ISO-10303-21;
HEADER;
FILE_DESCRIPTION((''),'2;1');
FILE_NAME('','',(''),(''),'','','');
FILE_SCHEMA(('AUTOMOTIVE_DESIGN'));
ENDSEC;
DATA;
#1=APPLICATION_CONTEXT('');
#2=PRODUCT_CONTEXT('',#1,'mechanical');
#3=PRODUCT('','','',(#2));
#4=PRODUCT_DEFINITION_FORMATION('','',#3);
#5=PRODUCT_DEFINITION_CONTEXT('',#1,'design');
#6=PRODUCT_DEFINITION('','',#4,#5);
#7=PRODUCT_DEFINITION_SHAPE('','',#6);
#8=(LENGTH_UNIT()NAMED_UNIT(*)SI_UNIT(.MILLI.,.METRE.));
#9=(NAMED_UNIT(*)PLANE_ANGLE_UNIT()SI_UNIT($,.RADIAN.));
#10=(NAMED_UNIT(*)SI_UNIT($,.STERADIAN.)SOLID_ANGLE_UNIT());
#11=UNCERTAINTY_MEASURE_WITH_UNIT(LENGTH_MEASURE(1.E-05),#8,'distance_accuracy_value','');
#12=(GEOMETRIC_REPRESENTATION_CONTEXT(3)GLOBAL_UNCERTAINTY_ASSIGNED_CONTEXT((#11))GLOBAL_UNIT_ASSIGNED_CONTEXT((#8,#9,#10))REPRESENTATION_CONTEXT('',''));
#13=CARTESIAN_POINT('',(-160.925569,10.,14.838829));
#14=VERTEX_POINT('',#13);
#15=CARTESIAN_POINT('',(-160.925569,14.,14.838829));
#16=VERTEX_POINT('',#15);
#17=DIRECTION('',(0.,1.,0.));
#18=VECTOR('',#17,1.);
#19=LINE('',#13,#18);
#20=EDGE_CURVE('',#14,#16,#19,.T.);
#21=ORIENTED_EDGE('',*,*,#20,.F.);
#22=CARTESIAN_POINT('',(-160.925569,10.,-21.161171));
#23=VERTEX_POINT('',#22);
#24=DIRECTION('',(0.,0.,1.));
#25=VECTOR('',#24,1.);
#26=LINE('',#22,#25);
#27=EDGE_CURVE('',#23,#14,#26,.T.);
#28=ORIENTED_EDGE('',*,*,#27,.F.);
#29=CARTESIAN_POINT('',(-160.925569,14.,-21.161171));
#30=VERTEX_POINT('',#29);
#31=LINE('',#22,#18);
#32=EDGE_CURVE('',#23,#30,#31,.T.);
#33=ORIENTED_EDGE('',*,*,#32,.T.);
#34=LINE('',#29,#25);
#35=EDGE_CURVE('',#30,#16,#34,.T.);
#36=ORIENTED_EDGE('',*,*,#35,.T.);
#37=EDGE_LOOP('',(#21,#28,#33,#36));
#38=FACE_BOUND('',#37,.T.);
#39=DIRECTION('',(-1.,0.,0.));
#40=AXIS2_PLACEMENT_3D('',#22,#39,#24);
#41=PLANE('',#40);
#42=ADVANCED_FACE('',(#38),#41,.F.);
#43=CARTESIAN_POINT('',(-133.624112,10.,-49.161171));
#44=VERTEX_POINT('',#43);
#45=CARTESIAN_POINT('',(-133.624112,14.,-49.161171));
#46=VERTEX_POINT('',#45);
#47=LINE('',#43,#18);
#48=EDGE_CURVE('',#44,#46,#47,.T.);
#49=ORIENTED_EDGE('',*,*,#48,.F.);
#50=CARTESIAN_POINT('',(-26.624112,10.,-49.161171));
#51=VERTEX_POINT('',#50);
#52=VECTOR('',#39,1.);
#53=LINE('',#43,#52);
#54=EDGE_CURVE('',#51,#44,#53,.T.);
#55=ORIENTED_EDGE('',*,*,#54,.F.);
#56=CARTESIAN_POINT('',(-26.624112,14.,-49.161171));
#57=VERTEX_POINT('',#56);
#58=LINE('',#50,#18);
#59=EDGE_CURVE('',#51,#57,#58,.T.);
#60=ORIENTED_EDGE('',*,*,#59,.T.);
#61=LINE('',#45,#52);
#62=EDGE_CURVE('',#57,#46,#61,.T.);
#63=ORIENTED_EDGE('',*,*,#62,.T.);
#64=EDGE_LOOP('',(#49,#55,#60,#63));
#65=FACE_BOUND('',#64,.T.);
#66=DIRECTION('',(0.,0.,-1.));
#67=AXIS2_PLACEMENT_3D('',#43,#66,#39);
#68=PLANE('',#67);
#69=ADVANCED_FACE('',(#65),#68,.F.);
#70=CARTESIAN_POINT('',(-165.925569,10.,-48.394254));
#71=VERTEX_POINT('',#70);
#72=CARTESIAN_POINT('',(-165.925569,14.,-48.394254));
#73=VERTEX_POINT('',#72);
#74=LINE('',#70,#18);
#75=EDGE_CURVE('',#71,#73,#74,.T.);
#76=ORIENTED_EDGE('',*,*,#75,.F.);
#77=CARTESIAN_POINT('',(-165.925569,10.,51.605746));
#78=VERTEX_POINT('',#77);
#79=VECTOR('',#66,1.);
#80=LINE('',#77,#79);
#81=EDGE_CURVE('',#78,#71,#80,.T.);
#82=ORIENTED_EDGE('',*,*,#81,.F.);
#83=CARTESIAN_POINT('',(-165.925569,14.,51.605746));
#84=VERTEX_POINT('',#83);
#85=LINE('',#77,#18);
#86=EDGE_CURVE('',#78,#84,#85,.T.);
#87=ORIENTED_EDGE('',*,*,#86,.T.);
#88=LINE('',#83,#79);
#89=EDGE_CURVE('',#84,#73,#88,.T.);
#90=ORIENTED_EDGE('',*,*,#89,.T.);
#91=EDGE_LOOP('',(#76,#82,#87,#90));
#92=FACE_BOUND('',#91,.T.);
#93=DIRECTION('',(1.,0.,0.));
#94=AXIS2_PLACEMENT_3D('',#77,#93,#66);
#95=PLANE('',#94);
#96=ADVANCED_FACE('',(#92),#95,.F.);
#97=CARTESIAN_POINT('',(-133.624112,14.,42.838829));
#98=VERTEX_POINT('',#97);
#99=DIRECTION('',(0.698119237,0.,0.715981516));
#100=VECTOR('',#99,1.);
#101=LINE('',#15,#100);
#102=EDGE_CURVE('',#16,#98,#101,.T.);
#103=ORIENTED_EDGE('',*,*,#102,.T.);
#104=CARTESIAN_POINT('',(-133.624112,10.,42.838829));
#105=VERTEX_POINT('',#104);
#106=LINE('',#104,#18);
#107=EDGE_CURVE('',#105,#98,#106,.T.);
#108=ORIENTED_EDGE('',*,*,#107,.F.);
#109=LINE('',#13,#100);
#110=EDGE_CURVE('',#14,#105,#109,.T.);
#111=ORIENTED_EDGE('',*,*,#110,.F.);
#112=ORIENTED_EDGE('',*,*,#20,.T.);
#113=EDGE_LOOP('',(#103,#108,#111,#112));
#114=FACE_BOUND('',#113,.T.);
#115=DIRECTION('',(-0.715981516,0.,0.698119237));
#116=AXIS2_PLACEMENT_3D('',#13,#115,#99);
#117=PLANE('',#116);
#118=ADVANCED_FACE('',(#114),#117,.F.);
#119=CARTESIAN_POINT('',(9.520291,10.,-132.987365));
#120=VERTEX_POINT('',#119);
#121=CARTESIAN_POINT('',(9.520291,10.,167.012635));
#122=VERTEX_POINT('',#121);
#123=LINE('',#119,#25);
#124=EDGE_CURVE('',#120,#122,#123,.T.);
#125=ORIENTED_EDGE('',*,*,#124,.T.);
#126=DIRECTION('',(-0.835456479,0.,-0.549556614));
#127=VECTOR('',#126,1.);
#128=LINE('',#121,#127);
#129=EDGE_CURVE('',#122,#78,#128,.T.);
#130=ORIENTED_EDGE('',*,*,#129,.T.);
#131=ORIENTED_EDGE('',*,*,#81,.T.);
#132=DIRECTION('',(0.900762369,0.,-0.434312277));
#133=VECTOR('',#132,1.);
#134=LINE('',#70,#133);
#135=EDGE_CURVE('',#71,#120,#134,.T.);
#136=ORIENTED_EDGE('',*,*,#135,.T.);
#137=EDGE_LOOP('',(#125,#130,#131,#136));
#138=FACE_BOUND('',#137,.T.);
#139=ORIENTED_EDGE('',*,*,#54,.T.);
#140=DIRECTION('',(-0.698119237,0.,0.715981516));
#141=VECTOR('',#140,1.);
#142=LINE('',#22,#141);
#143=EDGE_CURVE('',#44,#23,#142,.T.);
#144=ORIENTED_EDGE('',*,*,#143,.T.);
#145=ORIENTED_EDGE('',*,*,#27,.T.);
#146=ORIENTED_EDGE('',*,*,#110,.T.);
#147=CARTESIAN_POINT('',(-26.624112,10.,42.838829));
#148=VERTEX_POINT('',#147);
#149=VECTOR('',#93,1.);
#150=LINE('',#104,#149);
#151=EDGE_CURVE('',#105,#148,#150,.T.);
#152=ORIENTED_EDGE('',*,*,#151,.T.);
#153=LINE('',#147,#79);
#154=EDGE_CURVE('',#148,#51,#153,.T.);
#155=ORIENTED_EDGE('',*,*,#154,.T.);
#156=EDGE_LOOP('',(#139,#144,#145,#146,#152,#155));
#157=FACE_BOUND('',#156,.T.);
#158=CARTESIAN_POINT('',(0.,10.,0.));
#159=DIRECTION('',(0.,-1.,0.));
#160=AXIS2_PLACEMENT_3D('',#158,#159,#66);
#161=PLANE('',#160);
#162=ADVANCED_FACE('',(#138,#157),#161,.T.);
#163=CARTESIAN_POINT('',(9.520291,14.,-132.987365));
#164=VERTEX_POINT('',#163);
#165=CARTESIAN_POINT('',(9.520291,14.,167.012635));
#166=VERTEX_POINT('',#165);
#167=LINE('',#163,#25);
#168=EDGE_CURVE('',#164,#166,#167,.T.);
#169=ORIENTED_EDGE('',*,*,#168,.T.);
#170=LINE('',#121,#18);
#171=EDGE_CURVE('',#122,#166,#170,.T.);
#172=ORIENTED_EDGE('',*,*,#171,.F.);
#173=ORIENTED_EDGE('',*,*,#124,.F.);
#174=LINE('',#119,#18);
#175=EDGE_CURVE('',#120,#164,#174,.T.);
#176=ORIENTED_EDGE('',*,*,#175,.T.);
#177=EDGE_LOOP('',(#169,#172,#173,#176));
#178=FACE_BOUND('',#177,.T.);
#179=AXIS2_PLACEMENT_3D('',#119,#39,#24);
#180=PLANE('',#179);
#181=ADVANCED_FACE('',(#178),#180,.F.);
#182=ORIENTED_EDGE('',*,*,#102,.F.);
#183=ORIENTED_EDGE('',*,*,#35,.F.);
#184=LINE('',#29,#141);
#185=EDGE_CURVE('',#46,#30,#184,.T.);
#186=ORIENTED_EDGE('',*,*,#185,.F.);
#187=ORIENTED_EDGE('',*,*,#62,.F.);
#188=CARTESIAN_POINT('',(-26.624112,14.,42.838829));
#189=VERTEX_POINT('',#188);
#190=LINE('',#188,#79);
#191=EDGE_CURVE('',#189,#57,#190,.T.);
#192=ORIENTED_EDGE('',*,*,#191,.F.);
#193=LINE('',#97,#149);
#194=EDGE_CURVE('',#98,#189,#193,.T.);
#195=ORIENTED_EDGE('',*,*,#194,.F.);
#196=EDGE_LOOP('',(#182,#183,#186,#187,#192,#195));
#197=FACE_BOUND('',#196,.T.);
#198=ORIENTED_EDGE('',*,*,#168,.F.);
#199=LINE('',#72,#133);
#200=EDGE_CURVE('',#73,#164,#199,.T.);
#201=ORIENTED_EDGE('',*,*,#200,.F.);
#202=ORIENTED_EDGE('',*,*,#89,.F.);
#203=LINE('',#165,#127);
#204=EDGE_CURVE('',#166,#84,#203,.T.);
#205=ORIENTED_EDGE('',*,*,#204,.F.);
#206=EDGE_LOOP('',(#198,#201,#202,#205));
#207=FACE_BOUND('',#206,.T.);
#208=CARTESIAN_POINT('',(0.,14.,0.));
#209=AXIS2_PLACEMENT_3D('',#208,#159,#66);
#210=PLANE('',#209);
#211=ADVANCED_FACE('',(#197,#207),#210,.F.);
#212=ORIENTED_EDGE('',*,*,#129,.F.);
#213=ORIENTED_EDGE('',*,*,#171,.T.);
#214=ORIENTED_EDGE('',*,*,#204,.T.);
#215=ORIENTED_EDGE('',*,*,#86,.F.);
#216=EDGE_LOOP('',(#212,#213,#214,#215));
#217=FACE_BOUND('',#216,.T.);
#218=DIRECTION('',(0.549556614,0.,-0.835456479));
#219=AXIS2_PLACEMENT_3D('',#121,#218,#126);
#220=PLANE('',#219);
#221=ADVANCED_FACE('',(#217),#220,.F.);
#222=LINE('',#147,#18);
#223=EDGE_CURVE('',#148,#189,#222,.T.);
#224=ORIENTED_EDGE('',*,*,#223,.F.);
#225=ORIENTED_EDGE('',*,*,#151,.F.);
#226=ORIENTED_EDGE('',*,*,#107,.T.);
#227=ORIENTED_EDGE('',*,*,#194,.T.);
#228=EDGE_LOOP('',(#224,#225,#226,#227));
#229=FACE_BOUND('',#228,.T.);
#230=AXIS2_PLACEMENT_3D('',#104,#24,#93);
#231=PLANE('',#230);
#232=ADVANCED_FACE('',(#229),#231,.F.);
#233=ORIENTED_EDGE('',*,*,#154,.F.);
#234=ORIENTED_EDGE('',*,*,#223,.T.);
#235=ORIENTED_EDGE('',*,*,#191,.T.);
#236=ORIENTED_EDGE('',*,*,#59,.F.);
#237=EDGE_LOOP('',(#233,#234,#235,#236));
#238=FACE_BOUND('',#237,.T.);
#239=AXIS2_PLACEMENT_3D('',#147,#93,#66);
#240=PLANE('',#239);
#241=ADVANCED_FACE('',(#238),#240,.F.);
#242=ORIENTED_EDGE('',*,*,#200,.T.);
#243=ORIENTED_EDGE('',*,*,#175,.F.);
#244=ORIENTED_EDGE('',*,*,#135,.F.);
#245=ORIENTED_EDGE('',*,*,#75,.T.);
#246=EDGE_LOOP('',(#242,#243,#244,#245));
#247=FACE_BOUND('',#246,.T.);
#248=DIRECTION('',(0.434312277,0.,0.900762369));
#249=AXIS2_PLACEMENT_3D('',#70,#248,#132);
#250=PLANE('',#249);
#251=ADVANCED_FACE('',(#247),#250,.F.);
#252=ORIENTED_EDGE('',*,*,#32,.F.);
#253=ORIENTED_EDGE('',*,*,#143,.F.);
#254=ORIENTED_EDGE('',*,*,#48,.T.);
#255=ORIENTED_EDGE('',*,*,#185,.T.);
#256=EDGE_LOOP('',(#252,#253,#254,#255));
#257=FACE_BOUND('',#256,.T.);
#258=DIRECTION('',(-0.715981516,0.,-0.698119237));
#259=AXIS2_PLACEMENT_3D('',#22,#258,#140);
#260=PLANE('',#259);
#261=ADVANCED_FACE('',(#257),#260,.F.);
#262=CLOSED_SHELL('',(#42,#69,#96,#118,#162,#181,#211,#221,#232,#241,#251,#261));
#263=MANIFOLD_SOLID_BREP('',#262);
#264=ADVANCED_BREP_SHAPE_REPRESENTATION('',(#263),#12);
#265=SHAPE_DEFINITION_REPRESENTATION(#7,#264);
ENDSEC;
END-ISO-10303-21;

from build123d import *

# Parameters (mm, degrees)
EXTRUDE_2_DEPTH = 4


with BuildPart() as part:
    # Sketch 1 → Бобышка-Вытянуть2 (new body)
    with BuildSketch(Plane(origin=(9.520291442, 10, -132.987365348), x_dir=(0, 0, 1), z_dir=(0, -1, 0))):
        Polygon((0, 0), (300, 0), (184.59311112, 175.445860593), (84.59311112, 175.445860593), align=None)
        Polygon((83.826194839, 143.144403483), (83.826194839, 36.144403483), (175.826194839, 36.144403483), (175.826194839, 143.144403483), (147.826194839, 170.445860593), (111.826194839, 170.445860593), align=None, mode=Mode.SUBTRACT)
    extrude(amount=-EXTRUDE_2_DEPTH)


solid = part.part
